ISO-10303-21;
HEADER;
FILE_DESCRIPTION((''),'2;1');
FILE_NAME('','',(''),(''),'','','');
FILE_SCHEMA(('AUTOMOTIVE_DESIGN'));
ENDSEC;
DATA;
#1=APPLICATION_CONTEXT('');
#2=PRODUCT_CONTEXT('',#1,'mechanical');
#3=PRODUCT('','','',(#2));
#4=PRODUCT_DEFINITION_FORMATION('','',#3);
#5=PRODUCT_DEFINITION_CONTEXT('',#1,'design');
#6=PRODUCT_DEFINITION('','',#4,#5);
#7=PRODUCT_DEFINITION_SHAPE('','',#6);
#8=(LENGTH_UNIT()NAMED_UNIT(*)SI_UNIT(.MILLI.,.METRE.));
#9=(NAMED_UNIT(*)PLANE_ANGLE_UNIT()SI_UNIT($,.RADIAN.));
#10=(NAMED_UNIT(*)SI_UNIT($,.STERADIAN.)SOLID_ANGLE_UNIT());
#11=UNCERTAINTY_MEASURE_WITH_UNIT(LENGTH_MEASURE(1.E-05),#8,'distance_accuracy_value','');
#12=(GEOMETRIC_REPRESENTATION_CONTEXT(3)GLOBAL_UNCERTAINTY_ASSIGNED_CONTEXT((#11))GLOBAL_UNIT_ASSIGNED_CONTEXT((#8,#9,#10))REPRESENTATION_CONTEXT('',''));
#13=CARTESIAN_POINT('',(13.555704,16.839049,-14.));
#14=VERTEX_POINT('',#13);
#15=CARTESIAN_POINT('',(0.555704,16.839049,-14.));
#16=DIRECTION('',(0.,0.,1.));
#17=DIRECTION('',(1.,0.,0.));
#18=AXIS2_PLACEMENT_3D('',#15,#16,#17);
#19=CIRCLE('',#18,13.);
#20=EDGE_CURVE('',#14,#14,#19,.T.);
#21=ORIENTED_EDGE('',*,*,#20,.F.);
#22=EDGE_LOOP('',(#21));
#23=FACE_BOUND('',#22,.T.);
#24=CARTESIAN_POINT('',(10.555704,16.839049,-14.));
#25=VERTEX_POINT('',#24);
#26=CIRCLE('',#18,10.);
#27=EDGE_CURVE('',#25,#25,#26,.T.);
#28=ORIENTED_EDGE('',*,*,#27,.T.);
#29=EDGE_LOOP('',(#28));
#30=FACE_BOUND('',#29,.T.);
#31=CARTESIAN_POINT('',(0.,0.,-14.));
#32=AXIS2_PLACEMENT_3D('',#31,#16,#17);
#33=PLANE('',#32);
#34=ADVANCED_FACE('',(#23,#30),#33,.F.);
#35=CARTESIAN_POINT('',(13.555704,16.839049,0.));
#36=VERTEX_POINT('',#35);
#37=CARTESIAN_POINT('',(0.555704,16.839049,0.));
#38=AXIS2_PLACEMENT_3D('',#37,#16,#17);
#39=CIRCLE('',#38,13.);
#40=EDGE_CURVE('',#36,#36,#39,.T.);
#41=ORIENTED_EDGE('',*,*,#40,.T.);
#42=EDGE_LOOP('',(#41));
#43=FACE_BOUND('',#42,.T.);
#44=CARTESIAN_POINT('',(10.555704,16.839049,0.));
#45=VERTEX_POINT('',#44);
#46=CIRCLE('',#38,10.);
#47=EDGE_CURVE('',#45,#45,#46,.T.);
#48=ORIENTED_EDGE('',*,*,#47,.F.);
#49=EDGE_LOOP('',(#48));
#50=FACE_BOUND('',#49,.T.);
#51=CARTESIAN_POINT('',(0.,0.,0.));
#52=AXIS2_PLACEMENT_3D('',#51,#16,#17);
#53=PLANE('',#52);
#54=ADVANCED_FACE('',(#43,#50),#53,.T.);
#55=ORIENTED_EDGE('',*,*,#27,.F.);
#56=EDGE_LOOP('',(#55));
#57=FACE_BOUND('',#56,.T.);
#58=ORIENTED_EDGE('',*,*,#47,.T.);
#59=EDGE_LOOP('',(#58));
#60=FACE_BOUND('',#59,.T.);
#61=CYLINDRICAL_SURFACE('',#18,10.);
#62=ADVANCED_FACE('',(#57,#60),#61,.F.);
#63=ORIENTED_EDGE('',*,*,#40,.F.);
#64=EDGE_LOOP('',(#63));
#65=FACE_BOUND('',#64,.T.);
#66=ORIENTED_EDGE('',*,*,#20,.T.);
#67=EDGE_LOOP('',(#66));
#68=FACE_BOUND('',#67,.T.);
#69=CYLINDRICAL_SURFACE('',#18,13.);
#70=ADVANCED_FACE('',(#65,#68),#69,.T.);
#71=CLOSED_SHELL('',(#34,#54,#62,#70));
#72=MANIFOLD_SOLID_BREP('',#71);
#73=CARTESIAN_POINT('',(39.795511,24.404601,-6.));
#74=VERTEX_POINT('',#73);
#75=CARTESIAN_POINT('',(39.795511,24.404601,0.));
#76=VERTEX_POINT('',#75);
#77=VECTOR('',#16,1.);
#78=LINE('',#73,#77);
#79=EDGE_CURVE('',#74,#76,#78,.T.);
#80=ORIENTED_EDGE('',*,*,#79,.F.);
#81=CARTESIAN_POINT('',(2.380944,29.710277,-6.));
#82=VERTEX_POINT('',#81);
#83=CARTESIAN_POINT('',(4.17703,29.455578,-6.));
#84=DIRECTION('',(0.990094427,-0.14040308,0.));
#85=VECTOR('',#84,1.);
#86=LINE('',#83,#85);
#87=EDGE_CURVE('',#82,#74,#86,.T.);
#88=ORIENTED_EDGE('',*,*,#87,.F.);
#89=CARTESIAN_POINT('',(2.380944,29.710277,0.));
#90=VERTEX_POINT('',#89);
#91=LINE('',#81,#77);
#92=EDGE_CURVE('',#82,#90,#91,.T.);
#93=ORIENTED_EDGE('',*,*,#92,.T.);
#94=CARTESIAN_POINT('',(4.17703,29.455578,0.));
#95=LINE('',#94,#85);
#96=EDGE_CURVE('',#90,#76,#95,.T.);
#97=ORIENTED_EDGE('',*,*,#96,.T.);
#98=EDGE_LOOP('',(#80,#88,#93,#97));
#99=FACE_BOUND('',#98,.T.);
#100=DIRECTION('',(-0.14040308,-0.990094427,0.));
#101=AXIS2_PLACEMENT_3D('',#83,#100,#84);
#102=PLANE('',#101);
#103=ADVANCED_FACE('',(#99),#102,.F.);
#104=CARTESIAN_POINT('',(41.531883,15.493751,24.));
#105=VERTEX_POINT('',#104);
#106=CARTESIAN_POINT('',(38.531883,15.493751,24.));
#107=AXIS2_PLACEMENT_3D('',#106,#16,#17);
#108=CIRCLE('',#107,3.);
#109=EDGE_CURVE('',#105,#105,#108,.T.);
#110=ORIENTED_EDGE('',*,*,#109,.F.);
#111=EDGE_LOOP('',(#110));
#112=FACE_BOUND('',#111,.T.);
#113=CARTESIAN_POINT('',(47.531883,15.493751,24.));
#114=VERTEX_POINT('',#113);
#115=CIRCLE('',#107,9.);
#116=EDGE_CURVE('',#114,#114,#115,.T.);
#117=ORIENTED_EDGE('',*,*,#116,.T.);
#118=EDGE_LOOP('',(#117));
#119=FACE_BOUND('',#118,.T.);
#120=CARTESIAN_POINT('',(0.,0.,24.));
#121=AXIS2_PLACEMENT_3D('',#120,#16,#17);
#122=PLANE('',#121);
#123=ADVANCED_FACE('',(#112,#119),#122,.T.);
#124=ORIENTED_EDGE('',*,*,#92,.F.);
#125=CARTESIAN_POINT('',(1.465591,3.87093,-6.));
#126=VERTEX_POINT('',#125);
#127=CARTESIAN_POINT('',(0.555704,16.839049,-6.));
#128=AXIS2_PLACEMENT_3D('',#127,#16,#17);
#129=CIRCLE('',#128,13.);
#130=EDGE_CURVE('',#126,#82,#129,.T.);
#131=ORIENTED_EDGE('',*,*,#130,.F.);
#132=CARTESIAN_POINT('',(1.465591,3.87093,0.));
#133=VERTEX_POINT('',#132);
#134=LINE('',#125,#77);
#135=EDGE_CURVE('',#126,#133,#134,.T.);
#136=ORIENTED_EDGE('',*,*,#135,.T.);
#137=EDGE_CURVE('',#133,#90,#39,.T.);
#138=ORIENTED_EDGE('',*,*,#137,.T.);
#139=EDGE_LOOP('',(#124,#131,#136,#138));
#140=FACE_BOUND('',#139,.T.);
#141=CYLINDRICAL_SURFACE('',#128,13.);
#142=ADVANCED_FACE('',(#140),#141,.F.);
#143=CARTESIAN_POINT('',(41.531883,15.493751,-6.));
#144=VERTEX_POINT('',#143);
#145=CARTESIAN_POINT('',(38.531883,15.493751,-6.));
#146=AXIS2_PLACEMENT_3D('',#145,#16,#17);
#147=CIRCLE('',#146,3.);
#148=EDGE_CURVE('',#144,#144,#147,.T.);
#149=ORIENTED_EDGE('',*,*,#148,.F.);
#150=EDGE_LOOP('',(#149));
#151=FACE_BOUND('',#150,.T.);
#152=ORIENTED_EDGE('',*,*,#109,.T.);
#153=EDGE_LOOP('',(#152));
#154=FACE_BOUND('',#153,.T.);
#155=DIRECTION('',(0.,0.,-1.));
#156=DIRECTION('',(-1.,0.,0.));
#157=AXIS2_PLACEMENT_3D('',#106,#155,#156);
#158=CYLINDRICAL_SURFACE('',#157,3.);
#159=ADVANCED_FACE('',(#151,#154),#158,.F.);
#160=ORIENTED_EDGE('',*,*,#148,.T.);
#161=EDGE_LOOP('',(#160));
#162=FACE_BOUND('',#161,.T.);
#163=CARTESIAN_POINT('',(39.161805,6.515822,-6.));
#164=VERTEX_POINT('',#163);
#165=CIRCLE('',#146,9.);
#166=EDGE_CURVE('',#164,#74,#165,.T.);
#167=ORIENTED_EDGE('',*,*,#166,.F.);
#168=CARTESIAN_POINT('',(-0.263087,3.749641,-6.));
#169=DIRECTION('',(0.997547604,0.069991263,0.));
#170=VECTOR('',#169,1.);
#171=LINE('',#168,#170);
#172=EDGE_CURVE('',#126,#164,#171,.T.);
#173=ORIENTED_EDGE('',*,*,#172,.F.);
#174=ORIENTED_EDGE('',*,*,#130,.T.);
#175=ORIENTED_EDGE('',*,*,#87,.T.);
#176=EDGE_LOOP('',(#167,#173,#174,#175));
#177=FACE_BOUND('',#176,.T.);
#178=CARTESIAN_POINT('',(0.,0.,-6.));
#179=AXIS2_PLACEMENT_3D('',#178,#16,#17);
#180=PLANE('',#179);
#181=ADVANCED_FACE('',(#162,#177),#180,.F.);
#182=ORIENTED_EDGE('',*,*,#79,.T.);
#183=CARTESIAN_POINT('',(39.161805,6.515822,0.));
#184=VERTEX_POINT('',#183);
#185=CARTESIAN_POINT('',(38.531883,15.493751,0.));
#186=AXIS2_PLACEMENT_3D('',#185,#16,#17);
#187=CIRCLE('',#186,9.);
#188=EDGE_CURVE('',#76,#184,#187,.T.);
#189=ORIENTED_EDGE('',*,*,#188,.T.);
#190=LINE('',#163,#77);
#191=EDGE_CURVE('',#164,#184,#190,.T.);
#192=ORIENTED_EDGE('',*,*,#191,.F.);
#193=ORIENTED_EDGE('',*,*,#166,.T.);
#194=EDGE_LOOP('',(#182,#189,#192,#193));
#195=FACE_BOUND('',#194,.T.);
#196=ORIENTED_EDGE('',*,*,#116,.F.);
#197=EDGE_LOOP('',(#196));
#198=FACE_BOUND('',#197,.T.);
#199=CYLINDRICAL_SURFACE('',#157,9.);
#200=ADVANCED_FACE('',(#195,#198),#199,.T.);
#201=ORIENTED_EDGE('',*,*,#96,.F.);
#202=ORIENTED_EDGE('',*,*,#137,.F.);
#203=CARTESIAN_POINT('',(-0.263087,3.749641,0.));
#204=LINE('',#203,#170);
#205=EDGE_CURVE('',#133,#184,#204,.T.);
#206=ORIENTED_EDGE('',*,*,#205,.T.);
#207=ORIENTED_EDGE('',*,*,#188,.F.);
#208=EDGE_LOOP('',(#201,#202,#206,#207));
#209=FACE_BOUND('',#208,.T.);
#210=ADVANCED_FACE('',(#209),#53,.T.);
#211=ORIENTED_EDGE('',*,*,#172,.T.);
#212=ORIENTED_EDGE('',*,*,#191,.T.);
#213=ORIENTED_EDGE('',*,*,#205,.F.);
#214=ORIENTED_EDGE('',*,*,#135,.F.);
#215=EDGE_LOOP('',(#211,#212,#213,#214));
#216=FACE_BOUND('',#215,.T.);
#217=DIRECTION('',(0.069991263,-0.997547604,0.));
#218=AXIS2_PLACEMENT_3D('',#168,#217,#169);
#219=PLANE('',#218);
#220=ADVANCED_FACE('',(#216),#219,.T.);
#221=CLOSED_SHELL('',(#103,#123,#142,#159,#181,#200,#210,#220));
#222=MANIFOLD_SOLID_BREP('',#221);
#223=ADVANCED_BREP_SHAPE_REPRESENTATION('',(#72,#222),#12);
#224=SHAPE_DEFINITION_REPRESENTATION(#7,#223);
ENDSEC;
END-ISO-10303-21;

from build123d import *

# Parameters (mm, degrees)
CROQUIS1_R              = 3
SALIENTE_EXTRUIR1_DEPTH = 24
CROQUIS1_4_R            = 10
SALIENTE_EXTRUIR2_DEPTH = 14
SALIENTE_EXTRUIR5_START = -6
CROQUIS1_11_R           = 3
SALIENTE_EXTRUIR5_DEPTH = 6


with BuildPart() as part:
    # Croquis1 → Saliente-Extruir1 (new body)
    with BuildSketch(Plane.XY):
        with BuildLine():
            ThreePointArc((47.531883149, 15.493750807), (45.327935293, 21.394062261), (39.79551087, 24.404600653))
            ThreePointArc((39.79551087, 24.404600653), (29.537524962, 15.812374125), (39.161804519, 6.515822367))
            ThreePointArc((39.161804519, 6.515822367), (45.114788751, 9.356540216), (47.531883149, 15.493750807))
        make_face()
        with Locations((38.531883149, 15.493750807)):
            Circle(CROQUIS1_R, mode=Mode.SUBTRACT)
    extrude(amount=SALIENTE_EXTRUIR1_DEPTH)

    # Croquis1<11> → Saliente-Extruir5 (add)
    with BuildSketch(Plane.XY.offset(SALIENTE_EXTRUIR5_START)):
        with BuildLine():
            Line((39.79551087, 24.404600653), (2.380944182, 29.710276818))
            ThreePointArc((2.380944182, 29.710276818), (13.547554854, 16.37881558), (1.465590565, 3.870930405))
            Line((1.465590565, 3.870930405), (39.161804519, 6.515822367))
            ThreePointArc((39.161804519, 6.515822367), (47.526241335, 15.175127489), (39.79551087, 24.404600653))
        make_face()
        with Locations((38.531883149, 15.493750807)):
            Circle(CROQUIS1_11_R, mode=Mode.SUBTRACT)
    extrude(amount=SALIENTE_EXTRUIR5_DEPTH)


with BuildPart() as body_2:
    # Croquis1<4> → Saliente-Extruir2 (new body)
    with BuildSketch(Plane.XY):
        with BuildLine():
            ThreePointArc((13.55570414, 16.839049262), (10.372223904, 25.361721363), (2.380944182, 29.710276818))
            ThreePointArc((2.380944182, 29.710276818), (-12.436146573, 17.299282944), (1.465590565, 3.870930405))
            ThreePointArc((1.465590565, 3.870930405), (10.064345566, 7.974189521), (13.55570414, 16.839049262))
        make_face()
        with Locations((0.55570414, 16.839049262)):
            Circle(CROQUIS1_4_R, mode=Mode.SUBTRACT)
    extrude(amount=-SALIENTE_EXTRUIR2_DEPTH)


solid = Compound([part.part, body_2.part])
